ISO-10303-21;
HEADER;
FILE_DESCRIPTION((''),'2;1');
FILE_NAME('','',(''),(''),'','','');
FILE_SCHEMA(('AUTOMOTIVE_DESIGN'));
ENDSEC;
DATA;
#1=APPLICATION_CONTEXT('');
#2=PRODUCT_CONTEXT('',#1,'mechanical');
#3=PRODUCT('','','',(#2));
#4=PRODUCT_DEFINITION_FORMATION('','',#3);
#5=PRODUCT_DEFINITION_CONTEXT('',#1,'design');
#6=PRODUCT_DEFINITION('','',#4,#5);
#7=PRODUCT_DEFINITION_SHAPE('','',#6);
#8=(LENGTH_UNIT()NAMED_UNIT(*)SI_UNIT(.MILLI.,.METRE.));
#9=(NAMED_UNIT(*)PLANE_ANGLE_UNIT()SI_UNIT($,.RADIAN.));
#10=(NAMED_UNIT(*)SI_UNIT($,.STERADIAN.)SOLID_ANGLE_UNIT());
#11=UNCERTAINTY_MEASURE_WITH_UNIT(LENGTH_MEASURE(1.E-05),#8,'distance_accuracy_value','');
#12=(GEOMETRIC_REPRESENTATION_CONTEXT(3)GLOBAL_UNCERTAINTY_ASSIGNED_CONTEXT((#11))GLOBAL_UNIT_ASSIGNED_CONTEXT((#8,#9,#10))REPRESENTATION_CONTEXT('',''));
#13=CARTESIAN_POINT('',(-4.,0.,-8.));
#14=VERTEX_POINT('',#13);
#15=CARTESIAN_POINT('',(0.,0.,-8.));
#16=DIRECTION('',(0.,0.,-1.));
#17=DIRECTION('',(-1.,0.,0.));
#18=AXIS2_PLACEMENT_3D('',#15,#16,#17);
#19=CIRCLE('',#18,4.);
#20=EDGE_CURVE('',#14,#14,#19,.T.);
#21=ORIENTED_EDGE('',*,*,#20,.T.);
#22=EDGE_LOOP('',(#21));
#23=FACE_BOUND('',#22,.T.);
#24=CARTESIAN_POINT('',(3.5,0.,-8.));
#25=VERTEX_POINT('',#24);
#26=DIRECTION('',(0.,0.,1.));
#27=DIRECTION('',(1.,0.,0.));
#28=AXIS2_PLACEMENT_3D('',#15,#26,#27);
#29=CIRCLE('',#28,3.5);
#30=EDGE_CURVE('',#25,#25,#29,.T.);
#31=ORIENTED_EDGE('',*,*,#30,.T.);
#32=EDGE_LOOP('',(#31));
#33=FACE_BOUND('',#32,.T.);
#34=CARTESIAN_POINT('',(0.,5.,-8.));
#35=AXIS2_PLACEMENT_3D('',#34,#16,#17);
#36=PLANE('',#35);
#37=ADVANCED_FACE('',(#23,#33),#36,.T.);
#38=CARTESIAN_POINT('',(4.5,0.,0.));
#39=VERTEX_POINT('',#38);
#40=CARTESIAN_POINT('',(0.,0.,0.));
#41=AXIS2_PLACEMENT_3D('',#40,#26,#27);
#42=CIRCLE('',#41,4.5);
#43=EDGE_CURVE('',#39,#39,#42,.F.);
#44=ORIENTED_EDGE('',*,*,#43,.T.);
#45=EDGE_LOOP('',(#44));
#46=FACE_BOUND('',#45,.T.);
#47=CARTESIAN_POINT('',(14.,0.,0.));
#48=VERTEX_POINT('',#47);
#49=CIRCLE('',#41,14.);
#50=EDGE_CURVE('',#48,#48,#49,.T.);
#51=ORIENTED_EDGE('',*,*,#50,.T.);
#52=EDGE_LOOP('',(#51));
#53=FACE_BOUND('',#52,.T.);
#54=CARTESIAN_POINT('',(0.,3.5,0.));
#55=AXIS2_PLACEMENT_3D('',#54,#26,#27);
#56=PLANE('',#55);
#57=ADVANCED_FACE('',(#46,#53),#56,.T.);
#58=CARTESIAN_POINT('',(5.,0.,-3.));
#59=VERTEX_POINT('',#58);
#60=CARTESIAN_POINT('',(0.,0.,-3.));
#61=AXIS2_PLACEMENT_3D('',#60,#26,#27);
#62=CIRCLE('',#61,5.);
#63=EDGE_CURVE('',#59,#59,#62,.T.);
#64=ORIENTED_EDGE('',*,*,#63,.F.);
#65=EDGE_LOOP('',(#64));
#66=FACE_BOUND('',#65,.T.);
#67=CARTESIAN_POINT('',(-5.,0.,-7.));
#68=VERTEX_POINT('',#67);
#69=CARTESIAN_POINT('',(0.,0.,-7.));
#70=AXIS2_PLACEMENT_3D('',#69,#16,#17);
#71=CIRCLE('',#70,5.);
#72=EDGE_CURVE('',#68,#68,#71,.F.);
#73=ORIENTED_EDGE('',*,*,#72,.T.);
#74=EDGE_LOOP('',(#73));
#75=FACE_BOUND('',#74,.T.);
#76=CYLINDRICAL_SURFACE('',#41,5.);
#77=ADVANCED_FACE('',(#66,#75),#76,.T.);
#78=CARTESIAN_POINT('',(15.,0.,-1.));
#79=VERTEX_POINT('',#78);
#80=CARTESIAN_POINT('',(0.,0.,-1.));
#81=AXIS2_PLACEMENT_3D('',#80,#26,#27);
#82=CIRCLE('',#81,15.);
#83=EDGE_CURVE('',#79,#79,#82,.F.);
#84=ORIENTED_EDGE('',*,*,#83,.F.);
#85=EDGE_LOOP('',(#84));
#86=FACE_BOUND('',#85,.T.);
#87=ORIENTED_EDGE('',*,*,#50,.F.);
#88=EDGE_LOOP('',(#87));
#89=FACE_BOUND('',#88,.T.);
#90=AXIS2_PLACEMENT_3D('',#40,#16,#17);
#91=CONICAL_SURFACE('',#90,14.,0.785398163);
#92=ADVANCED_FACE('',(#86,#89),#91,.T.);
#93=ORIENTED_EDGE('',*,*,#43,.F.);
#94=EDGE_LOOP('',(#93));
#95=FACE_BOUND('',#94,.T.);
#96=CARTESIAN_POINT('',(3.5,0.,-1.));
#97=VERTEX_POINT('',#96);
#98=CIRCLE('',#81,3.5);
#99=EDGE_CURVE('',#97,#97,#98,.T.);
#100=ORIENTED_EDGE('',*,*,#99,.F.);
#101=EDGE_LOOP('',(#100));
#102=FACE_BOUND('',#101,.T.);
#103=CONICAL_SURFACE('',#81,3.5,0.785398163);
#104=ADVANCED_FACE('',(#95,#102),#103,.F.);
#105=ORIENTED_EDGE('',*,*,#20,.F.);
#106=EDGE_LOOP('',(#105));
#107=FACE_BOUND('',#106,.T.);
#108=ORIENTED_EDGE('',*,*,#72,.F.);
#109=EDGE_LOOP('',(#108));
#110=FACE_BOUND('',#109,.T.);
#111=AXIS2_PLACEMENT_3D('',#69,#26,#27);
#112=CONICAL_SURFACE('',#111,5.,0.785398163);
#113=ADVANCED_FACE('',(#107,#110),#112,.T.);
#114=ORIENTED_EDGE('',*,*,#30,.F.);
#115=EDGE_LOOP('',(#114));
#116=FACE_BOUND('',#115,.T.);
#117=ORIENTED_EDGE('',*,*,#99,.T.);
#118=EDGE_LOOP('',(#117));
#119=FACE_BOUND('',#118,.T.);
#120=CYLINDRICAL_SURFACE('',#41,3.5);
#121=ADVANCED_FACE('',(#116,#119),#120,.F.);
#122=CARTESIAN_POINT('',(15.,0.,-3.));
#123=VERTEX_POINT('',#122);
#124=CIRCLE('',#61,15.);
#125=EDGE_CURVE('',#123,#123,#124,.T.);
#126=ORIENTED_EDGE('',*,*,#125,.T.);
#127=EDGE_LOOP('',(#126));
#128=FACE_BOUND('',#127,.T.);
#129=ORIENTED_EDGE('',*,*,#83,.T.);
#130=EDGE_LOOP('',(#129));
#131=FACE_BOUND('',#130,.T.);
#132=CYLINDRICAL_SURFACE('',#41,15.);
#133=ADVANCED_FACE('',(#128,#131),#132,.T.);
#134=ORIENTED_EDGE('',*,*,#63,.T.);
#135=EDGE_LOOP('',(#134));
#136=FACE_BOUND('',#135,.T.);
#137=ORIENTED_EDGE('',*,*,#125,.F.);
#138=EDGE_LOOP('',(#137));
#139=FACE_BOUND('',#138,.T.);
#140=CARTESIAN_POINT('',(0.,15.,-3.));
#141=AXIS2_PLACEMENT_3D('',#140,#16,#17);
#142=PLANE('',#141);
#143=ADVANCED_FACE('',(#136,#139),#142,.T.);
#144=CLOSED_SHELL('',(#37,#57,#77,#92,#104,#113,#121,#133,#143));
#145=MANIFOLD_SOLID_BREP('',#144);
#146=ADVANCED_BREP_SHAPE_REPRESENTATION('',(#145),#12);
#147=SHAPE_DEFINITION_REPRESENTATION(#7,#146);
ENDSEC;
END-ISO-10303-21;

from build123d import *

# Parameters (mm, degrees)
CHAMFER1_SIZE = 1
CHAMFER2_SIZE = 1


with BuildPart() as part:
    # Sketch1 → Revolve1 (revolve)
    with BuildSketch(Plane.ZY, mode=Mode.PRIVATE) as revolve1_sk:
        Polygon((-8, 3.5), (0, 3.5), (0, 15), (-3, 15), (-3, 5), (-8, 5), align=None)
    revolve(revolve1_sk.sketch.rotate(Axis((0, 0, 0), (0, 0, -1)), 90), axis=Axis((0, 0, 0), (0, 0, -1)))

    # Chamfer1
    chamfer1_edges = [part.edges().sort_by_distance(p)[0] for p in [
        (-5, 0, -8),
    ]]
    chamfer(chamfer1_edges, length=CHAMFER1_SIZE)

    # Chamfer2
    chamfer2_edges = [part.edges().sort_by_distance(p)[0] for p in [
        (-15, 0, 0),
        (-3.5, 0, 0),
    ]]
    chamfer(chamfer2_edges, length=CHAMFER2_SIZE)


solid = part.part
